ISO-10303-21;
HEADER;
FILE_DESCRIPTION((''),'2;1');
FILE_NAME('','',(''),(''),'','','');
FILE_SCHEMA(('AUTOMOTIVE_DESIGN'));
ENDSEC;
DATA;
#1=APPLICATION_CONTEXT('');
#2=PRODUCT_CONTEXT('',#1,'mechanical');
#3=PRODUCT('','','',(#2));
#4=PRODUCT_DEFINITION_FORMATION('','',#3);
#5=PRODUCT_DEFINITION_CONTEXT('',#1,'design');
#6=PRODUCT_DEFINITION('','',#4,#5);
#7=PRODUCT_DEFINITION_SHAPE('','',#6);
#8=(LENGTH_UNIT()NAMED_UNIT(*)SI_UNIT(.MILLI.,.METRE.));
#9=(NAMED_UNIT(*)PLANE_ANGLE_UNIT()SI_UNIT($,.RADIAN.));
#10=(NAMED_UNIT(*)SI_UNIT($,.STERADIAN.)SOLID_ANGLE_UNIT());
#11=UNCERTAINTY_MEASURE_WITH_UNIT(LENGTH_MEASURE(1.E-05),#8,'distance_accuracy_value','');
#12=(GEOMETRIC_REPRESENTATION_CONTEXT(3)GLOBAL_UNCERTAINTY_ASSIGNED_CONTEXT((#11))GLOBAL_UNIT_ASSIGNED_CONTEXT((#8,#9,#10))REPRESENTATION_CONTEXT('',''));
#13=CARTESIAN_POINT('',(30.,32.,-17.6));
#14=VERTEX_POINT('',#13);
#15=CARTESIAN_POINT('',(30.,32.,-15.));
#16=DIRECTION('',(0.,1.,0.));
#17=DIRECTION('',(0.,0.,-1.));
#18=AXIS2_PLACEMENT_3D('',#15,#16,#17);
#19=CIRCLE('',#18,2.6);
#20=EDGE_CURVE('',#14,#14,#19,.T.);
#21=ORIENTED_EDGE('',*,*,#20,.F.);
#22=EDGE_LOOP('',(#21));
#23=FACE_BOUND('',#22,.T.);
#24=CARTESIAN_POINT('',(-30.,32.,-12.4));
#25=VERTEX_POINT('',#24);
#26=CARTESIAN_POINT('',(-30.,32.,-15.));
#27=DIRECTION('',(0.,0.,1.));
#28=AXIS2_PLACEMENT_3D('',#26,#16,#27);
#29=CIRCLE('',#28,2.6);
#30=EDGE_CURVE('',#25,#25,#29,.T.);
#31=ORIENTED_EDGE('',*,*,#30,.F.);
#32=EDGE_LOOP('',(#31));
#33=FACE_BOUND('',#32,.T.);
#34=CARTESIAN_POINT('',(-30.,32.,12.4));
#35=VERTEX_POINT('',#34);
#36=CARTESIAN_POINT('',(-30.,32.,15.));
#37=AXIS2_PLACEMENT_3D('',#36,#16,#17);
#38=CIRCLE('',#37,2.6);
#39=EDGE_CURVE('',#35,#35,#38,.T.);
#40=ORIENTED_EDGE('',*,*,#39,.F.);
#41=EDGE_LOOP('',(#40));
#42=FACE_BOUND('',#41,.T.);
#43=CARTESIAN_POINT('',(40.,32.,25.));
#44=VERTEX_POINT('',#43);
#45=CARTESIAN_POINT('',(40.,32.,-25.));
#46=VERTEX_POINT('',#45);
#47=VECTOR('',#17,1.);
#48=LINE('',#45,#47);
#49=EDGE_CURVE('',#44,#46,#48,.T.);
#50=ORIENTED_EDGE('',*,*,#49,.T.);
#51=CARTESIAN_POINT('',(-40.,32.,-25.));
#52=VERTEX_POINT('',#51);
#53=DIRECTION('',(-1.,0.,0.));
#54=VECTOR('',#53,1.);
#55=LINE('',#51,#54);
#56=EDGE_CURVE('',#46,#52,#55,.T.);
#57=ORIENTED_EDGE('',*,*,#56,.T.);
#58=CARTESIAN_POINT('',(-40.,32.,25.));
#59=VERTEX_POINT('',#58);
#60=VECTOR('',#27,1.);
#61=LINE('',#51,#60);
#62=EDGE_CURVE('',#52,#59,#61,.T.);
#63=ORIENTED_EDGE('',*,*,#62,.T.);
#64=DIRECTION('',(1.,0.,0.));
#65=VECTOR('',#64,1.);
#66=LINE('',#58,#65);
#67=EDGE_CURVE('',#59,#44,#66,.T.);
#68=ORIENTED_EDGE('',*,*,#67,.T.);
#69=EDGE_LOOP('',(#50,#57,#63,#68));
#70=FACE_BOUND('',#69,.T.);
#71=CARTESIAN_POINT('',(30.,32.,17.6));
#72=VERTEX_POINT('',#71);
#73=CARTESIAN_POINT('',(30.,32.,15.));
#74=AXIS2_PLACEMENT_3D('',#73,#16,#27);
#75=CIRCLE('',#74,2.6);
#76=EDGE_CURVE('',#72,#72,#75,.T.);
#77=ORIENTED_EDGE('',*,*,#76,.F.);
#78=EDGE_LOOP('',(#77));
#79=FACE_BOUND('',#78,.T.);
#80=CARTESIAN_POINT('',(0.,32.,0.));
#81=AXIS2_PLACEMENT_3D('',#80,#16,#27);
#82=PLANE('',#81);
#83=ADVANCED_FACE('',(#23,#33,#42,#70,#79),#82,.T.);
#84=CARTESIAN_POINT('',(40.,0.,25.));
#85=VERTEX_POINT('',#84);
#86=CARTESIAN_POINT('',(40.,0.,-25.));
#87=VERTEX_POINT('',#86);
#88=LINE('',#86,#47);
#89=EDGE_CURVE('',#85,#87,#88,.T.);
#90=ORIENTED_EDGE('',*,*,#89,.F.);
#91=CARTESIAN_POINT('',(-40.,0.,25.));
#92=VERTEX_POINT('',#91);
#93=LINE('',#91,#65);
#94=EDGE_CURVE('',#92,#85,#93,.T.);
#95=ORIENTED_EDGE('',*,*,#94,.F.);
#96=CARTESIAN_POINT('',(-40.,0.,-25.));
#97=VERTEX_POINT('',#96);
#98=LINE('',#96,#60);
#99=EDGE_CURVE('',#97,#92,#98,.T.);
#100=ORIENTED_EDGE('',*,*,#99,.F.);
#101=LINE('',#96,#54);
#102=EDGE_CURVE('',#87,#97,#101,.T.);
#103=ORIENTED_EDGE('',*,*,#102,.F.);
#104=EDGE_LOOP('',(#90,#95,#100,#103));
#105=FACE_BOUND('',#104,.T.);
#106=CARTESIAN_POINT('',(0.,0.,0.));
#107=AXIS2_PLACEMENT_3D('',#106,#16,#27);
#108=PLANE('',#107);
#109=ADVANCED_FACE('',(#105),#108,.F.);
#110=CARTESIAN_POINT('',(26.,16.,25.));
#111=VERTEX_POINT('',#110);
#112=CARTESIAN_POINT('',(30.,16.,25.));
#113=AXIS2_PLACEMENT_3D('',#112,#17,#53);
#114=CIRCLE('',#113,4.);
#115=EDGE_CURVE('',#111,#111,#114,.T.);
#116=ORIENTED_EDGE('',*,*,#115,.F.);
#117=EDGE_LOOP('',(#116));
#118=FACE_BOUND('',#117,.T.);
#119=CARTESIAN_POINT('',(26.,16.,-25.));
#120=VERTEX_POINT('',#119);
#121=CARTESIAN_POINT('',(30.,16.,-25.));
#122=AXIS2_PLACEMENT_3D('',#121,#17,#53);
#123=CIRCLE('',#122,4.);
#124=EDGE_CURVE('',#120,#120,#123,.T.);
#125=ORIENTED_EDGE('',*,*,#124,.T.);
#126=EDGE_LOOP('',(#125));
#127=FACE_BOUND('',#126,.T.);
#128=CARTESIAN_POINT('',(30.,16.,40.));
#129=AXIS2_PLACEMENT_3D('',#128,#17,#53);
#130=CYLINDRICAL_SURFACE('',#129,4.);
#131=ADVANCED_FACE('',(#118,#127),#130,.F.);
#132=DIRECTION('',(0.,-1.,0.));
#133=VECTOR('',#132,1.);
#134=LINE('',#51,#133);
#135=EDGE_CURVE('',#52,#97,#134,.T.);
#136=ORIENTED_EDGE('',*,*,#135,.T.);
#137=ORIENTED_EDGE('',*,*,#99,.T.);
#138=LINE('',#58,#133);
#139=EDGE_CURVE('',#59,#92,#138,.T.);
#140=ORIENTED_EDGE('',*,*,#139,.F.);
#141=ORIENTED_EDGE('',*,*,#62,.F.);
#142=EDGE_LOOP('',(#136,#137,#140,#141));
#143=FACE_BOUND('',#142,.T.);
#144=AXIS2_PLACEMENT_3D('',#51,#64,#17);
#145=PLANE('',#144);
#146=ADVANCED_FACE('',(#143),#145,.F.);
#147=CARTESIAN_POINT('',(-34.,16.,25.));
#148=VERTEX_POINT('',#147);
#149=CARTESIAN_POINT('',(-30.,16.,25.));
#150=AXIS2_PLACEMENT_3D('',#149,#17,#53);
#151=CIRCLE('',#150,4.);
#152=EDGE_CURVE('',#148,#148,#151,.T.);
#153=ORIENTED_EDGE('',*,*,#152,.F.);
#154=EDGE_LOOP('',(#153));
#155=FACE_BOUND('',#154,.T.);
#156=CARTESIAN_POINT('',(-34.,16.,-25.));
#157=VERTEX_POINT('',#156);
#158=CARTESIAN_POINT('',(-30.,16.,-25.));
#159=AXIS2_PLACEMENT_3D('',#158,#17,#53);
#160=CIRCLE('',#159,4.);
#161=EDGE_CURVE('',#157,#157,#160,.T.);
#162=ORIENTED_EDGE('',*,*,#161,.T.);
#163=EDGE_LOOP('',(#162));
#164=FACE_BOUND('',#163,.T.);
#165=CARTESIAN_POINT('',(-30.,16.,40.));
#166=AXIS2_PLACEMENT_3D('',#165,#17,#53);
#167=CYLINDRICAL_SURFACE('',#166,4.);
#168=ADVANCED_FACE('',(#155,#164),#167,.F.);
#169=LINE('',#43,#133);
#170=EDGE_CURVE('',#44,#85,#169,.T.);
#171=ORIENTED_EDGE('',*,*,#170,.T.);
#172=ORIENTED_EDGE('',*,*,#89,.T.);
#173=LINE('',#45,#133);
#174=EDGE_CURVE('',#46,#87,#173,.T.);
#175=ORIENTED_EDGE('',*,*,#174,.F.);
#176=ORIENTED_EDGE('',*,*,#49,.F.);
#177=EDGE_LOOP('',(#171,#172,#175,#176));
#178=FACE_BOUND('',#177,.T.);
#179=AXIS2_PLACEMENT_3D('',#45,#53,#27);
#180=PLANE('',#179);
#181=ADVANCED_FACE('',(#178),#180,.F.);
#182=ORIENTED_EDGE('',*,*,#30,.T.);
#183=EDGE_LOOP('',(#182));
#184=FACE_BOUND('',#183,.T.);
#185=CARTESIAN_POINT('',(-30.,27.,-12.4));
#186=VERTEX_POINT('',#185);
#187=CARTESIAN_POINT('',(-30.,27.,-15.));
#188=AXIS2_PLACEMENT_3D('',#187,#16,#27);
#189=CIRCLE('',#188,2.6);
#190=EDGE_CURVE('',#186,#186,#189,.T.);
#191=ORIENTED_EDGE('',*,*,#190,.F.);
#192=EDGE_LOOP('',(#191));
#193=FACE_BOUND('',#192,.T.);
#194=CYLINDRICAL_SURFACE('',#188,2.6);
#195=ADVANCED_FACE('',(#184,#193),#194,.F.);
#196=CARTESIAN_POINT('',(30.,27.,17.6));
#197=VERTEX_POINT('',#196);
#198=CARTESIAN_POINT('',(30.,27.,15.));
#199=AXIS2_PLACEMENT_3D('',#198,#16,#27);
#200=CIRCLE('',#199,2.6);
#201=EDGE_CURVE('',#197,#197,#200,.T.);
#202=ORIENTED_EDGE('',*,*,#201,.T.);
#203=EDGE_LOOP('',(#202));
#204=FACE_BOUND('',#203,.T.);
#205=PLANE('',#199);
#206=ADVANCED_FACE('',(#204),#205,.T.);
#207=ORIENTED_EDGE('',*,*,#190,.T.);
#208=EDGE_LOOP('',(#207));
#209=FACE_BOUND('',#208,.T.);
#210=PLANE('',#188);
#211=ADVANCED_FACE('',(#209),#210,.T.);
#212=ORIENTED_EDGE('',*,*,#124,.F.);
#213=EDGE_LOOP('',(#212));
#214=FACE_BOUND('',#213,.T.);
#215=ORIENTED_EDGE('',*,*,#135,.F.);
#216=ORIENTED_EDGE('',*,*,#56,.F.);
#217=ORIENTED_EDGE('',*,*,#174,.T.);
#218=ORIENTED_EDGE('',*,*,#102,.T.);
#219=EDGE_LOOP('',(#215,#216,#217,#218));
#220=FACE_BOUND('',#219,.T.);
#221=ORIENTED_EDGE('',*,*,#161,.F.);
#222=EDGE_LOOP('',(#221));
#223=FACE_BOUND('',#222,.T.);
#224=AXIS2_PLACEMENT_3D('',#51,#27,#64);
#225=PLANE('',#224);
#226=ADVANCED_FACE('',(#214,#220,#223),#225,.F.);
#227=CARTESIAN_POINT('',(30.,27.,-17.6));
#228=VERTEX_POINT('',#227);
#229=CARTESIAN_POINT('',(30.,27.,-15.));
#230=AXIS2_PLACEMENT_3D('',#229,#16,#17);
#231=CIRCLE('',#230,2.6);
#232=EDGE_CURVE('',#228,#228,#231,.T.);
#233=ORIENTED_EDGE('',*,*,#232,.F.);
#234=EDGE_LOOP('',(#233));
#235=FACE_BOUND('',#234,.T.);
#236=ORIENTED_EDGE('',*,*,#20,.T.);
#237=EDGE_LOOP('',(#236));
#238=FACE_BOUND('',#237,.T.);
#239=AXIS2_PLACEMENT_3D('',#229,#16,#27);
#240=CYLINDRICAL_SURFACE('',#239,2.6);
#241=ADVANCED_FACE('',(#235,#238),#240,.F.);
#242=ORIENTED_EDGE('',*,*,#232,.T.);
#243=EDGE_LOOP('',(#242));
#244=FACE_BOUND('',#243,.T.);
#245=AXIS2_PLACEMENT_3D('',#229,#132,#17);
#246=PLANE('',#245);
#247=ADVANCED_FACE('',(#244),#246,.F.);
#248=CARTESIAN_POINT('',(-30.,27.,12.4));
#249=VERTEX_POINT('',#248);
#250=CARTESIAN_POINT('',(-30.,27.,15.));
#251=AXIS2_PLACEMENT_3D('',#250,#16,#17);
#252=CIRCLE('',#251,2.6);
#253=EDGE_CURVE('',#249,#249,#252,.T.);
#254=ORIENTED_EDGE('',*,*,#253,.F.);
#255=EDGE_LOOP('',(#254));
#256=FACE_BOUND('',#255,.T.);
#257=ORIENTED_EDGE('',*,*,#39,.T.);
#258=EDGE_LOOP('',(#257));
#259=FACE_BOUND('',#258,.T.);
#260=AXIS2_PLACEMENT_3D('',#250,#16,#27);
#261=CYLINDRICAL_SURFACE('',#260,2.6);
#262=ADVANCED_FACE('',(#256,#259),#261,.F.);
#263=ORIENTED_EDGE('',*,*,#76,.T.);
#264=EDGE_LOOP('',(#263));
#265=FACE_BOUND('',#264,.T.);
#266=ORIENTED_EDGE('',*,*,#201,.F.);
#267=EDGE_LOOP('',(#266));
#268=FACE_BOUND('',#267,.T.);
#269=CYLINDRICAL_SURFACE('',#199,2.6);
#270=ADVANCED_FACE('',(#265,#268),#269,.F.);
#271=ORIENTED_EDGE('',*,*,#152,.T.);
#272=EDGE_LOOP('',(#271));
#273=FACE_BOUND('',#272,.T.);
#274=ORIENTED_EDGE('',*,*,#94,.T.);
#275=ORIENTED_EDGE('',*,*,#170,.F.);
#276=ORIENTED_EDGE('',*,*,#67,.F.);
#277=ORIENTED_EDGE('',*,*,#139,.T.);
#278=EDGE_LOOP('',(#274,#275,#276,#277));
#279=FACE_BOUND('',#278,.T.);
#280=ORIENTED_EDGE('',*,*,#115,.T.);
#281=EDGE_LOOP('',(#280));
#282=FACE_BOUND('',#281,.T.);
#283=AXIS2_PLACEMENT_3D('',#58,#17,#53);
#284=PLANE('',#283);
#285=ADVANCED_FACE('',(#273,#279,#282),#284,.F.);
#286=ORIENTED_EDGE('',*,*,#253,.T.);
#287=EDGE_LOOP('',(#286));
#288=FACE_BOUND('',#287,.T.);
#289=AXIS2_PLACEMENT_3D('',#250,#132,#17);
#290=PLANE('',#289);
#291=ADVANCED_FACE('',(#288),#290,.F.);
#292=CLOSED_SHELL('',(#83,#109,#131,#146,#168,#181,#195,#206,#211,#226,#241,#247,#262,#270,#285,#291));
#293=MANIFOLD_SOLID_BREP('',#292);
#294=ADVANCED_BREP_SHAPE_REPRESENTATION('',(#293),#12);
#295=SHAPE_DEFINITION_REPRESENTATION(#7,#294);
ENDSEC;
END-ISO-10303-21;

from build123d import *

# Parameters (mm, degrees)
SKETCH3_W           = 80
SKETCH3_H           = 50
BOSS_EXTRUDE1_DEPTH = 32
SKETCH4_R           = 2.6
CUT_EXTRUDE1_DEPTH  = 5
SKETCH5_R           = 4
CUT_EXTRUDE2_DEPTH  = 65


with BuildPart() as part:
    # Sketch3 → Boss-Extrude1 (new body)
    with BuildSketch(Plane(origin=(0, 0, 0), x_dir=(1, 0, 0), z_dir=(0, 1, 0))):
        Rectangle(SKETCH3_W, SKETCH3_H)
    extrude(amount=BOSS_EXTRUDE1_DEPTH)

    # Sketch4 → Cut-Extrude1 (cut)
    with BuildSketch(Plane(origin=(0, 32, 0), x_dir=(1, 0, 0), z_dir=(0, 1, 0))):
        with Locations((-30, 15)):
            Circle(SKETCH4_R)
        with Locations((30, 15)):
            Circle(SKETCH4_R)
        with Locations((30, -15)):
            Circle(SKETCH4_R)
        with Locations((-30, -15)):
            Circle(SKETCH4_R)
    extrude(amount=-CUT_EXTRUDE1_DEPTH, mode=Mode.SUBTRACT)

    # Sketch5 → Cut-Extrude2 (cut)
    with BuildSketch(Plane(origin=(0, 0, -25), x_dir=(-1, 0, 0), z_dir=(0, 0, -1))):
        with Locations((-30, 16)):
            Circle(SKETCH5_R)
        with Locations((30, 16)):
            Circle(SKETCH5_R)
    extrude(amount=-CUT_EXTRUDE2_DEPTH, mode=Mode.SUBTRACT)


solid = part.part
